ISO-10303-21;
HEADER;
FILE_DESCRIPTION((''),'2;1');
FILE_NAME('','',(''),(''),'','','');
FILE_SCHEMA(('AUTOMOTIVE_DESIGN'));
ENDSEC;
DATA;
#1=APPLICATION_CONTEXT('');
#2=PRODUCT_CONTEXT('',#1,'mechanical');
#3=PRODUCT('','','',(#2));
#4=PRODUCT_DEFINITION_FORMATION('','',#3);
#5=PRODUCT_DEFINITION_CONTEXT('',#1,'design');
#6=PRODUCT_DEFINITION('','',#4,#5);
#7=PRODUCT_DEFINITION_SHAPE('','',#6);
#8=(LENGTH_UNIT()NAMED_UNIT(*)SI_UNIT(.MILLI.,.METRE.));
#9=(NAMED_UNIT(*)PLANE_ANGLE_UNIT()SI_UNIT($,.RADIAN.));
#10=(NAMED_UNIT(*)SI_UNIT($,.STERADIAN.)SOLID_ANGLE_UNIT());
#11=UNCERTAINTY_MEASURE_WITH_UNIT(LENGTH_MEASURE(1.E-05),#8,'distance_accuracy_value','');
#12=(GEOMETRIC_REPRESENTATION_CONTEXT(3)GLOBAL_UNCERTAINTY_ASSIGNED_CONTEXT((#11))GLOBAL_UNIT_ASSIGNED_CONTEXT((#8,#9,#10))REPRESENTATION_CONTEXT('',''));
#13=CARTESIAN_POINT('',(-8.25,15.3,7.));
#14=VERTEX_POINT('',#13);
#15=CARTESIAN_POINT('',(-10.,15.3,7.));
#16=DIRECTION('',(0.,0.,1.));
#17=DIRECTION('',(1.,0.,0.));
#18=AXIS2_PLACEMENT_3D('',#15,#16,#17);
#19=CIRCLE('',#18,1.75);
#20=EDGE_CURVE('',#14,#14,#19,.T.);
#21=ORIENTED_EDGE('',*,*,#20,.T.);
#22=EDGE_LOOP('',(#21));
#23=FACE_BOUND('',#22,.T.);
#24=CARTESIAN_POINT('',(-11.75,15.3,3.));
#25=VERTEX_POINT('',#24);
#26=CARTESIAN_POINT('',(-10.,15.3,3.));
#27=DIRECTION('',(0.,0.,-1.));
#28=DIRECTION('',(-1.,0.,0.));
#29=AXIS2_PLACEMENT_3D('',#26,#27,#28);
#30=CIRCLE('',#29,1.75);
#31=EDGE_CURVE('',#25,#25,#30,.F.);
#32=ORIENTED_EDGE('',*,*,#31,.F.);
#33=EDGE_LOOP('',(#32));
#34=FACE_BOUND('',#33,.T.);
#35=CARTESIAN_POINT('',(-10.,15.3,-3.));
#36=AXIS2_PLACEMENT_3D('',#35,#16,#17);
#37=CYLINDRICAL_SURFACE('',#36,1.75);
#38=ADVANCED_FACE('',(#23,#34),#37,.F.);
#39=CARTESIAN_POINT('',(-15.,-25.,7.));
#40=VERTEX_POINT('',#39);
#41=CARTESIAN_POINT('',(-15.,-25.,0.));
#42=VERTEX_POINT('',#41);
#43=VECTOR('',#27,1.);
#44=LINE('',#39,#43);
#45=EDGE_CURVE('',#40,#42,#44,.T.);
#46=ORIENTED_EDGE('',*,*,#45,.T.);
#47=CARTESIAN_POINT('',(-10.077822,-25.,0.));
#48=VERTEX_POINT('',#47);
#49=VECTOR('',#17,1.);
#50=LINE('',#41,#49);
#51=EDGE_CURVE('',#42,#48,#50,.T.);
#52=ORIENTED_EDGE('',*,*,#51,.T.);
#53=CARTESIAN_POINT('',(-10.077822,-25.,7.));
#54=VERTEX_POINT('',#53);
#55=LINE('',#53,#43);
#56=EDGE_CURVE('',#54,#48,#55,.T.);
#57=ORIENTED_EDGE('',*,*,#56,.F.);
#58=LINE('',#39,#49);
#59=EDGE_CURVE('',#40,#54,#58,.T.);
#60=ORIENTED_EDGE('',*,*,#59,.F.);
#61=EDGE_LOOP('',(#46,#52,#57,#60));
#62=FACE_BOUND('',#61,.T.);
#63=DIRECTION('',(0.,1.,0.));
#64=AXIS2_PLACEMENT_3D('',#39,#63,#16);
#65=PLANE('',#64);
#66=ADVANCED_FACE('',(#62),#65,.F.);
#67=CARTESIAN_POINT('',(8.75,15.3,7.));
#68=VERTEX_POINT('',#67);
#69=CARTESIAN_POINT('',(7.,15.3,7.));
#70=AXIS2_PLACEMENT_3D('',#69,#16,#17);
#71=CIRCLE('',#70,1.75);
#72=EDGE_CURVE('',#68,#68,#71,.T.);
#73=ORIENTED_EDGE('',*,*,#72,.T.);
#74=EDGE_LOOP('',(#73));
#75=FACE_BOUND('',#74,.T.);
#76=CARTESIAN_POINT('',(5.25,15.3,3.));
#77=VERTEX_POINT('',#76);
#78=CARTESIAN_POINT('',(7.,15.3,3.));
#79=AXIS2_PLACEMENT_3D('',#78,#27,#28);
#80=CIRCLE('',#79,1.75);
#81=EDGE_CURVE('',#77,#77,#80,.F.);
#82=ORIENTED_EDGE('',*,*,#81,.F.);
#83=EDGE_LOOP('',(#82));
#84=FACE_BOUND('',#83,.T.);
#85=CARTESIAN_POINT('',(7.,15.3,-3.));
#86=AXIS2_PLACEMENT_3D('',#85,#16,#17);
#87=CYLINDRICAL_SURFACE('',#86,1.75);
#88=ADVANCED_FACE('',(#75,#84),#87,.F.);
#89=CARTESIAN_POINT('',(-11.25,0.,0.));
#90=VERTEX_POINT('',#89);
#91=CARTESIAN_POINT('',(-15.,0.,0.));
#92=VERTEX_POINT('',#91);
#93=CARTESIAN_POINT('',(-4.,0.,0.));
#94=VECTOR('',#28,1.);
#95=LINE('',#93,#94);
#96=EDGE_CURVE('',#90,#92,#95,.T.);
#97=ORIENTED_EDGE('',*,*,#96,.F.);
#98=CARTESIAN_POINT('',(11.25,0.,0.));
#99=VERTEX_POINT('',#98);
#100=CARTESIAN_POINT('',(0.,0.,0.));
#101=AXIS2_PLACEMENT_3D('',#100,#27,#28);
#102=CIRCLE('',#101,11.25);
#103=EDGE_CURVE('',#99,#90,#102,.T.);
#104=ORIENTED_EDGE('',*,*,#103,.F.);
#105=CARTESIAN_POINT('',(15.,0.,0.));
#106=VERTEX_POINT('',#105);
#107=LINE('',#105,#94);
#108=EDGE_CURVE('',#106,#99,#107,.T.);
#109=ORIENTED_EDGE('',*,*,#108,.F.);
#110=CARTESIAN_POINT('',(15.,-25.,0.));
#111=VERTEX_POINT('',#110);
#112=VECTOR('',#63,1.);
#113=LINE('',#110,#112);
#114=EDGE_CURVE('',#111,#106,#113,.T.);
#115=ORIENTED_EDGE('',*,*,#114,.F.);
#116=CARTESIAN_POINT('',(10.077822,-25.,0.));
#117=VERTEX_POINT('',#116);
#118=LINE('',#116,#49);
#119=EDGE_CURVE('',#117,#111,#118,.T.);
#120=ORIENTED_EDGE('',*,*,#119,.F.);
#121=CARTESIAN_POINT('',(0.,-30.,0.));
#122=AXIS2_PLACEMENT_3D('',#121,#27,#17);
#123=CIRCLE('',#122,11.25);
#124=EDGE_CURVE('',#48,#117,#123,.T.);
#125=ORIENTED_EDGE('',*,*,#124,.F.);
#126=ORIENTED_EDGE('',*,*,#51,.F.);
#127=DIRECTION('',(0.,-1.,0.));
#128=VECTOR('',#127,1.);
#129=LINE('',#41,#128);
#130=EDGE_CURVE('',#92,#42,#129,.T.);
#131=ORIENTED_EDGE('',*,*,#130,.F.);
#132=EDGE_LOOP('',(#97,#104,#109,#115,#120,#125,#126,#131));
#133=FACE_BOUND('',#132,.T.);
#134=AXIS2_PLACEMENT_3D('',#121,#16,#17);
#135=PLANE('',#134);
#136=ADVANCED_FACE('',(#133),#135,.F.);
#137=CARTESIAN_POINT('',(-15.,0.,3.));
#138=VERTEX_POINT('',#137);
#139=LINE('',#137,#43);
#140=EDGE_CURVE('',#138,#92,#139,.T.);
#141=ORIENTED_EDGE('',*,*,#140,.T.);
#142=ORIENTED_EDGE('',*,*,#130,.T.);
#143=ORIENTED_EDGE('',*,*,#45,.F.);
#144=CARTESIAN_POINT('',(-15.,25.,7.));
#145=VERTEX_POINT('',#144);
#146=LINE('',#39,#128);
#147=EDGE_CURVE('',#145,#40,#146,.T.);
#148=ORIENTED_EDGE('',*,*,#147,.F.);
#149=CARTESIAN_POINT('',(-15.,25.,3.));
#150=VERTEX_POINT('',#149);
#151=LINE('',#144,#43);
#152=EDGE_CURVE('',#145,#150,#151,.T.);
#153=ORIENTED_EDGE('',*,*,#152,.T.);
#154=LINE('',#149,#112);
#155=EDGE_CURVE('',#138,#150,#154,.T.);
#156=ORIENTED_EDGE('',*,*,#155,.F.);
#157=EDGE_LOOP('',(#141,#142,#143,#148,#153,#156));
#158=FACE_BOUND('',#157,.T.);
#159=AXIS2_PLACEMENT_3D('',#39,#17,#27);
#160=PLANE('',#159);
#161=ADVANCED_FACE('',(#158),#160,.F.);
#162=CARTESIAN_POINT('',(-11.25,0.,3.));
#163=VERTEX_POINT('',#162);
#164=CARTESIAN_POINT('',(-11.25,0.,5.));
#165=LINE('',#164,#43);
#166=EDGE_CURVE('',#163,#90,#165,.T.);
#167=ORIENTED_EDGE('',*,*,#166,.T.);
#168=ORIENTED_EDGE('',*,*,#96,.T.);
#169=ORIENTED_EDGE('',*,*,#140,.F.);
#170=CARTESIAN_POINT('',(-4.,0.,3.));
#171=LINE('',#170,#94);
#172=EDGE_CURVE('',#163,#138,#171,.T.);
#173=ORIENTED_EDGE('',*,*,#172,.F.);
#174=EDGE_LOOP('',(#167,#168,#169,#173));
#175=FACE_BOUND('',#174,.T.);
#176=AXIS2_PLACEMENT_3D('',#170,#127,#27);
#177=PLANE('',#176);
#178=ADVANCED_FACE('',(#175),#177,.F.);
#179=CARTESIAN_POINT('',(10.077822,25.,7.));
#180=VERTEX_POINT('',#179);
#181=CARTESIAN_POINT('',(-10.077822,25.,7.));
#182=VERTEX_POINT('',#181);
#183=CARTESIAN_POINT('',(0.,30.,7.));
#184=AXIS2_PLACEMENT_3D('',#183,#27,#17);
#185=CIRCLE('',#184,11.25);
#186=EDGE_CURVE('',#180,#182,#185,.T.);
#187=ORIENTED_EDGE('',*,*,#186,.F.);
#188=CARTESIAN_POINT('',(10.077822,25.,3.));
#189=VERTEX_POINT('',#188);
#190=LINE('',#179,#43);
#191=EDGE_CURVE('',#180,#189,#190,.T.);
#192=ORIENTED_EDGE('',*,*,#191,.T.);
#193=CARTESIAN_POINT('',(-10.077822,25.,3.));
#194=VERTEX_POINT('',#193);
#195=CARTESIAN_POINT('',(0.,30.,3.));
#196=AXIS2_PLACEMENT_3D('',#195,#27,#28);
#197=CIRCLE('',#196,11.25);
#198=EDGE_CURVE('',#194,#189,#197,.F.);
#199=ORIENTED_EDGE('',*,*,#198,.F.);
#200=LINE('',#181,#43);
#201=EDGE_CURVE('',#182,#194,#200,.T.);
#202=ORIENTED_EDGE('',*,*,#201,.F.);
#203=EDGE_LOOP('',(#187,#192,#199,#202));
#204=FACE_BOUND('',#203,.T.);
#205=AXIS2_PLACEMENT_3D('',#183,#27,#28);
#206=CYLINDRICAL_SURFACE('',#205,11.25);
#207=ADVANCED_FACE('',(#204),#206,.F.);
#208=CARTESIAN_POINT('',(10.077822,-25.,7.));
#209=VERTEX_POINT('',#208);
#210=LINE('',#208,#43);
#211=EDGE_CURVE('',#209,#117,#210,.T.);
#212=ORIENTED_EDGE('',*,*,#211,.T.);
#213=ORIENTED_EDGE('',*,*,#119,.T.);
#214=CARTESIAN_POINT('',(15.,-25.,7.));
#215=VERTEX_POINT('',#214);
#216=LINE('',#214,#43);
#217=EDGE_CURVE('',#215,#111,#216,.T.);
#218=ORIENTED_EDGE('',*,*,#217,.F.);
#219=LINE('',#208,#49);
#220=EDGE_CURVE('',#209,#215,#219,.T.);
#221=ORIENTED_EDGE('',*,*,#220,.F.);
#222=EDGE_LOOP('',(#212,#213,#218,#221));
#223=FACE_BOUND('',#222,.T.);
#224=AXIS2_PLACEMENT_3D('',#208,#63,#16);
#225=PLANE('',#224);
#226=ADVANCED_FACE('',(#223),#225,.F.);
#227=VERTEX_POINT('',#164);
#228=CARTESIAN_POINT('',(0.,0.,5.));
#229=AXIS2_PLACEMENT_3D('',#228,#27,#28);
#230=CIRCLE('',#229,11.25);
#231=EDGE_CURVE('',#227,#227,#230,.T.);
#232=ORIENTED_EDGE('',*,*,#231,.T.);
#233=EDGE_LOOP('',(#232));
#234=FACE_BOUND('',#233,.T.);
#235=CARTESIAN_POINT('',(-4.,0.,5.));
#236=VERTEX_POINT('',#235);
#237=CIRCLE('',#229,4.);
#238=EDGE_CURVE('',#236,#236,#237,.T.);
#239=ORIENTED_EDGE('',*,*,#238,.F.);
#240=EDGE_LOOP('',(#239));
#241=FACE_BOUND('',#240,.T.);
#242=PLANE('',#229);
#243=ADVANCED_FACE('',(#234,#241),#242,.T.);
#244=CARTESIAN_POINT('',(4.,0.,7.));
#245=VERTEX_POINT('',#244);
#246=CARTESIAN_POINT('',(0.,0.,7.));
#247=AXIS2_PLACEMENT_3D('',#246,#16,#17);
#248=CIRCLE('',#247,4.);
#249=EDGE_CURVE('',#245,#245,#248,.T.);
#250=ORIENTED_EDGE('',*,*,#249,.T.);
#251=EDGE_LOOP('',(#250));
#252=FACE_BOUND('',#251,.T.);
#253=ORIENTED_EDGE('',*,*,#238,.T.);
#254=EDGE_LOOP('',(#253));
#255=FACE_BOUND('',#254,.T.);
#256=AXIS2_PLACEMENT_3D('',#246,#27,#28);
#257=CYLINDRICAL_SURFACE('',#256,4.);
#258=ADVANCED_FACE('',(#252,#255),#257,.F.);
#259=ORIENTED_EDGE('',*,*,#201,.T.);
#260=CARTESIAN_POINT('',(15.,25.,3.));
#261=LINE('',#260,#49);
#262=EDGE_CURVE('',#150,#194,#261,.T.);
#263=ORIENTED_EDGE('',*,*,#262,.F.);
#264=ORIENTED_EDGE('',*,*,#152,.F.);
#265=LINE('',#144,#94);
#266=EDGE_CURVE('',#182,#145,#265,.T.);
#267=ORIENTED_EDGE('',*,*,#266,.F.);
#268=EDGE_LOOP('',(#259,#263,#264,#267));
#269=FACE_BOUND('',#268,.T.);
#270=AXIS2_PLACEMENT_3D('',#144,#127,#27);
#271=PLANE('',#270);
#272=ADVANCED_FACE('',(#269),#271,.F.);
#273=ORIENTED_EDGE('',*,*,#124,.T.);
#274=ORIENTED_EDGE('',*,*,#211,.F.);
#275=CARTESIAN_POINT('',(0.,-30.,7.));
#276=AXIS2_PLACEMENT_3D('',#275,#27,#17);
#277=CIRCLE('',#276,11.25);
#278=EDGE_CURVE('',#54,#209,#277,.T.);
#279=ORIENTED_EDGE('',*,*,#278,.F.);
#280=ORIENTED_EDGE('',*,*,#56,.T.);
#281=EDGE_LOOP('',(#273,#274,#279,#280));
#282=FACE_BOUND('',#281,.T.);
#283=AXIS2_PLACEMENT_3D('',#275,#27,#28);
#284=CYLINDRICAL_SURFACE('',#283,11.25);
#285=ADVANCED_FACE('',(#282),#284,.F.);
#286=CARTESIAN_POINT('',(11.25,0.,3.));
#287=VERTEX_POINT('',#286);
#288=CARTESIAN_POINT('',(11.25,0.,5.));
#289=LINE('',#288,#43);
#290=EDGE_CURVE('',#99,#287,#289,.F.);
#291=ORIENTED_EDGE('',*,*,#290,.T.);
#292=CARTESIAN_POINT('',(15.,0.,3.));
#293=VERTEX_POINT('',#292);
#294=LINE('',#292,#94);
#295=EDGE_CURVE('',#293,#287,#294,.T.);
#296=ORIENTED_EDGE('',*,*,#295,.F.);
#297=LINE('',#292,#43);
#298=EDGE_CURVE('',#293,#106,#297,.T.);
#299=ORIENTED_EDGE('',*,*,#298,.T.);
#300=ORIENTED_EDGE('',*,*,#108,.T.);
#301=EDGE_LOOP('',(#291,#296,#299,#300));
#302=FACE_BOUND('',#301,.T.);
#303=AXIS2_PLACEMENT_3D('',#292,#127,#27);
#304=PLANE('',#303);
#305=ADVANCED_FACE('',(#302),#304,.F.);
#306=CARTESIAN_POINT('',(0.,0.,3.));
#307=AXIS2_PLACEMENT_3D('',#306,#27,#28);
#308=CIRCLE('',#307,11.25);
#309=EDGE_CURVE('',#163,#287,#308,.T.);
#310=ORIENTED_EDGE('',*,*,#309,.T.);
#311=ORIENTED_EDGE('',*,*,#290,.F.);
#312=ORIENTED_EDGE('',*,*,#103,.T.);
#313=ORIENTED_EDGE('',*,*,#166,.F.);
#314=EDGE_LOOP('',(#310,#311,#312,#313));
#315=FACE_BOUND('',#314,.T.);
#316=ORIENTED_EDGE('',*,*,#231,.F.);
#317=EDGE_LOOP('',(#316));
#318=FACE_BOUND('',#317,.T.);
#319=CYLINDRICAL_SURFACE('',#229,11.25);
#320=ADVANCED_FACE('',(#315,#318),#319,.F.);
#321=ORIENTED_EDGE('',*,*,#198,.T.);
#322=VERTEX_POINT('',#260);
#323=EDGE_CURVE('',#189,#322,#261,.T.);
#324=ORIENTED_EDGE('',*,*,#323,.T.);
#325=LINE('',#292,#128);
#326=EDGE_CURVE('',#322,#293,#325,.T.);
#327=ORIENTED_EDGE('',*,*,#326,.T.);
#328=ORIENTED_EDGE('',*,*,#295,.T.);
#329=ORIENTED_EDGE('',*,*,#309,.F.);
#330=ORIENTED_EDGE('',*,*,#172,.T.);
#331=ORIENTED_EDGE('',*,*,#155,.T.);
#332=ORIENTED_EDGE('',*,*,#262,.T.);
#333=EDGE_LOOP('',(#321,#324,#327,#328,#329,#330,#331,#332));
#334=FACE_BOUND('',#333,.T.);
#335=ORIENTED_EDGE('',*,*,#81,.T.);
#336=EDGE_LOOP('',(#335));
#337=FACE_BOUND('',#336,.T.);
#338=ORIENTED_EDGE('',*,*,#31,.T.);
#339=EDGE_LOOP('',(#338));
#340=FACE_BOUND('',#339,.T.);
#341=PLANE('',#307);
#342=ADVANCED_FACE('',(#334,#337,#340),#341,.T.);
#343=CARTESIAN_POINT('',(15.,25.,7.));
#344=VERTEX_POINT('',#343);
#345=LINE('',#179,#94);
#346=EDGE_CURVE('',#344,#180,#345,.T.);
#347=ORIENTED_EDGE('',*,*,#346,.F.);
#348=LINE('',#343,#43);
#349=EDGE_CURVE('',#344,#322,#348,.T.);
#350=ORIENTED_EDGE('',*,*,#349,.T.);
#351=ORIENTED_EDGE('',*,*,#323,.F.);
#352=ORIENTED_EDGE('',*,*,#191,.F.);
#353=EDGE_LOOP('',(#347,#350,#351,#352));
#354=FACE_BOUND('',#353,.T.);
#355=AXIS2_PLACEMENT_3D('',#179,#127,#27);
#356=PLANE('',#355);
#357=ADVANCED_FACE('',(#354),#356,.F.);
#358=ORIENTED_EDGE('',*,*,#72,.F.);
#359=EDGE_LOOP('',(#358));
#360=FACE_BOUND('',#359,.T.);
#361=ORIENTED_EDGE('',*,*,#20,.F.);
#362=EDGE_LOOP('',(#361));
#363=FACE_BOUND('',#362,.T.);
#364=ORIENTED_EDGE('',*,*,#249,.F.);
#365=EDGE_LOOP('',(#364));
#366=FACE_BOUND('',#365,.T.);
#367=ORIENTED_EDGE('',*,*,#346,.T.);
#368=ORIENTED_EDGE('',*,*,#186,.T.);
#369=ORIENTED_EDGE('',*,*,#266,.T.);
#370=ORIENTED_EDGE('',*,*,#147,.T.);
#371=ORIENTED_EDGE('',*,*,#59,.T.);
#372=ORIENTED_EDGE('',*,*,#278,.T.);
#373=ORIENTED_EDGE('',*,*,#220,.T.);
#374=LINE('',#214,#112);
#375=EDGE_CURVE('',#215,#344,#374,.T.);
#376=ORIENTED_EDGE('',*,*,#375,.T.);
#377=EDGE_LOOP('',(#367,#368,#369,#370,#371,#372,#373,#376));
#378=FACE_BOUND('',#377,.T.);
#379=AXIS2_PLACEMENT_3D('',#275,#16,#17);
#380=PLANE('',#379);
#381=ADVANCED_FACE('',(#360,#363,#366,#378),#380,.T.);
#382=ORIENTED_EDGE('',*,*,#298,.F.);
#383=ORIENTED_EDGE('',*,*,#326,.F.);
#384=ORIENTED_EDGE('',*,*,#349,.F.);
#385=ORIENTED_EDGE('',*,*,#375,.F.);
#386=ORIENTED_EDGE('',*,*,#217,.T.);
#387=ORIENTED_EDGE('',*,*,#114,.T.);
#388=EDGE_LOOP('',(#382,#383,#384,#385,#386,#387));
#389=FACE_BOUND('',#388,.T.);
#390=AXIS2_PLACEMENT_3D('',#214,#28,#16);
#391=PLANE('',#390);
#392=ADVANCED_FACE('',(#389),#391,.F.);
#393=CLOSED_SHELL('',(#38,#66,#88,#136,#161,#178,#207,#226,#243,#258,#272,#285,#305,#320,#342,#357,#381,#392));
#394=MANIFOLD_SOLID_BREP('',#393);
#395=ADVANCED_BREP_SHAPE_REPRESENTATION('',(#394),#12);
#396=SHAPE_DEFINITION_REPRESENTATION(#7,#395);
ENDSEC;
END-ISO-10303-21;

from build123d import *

# Parameters (mm, degrees)
SKETCH_1_R          = 4
EXTRUDE_1_DEPTH     = 7
SKETCH_3_R          = 1.75
CUT_EXTRUDE_2_DEPTH = 10
CUT_EXTRUDE_4_DEPTH = 3
SKETCH_6_R          = 11.25
CUT_EXTRUDE_5_DEPTH = 5


with BuildPart() as part:
    # Эскиз1 → Бобышка-Вытянуть1 (new body)
    with BuildSketch(Plane.XY):
        with BuildLine():
            Line((-15, -25), (-10.077822185, -25))
            ThreePointArc((-10.077822185, -25), (0, -18.75), (10.077822185, -25))
            Line((10.077822185, -25), (15, -25))
            Line((15, -25), (15, 25))
            Line((15, 25), (10.077822185, 25))
            ThreePointArc((10.077822185, 25), (0, 18.75), (-10.077822185, 25))
            Line((-10.077822185, 25), (-15, 25))
            Line((-15, 25), (-15, -25))
        make_face()
        Circle(SKETCH_1_R, mode=Mode.SUBTRACT)
    extrude(amount=EXTRUDE_1_DEPTH)

    # Эскиз3 → Вырез-Вытянуть2 (cut)
    with BuildSketch(Plane.XY.offset(7)):
        with Locations((-10, 15.3)):
            Circle(SKETCH_3_R)
        with Locations((7, 15.3)):
            Circle(SKETCH_3_R)
    extrude(amount=-CUT_EXTRUDE_2_DEPTH, mode=Mode.SUBTRACT)

    # Эскиз4 → Вырез-Вытянуть4 (cut)
    with BuildSketch(Plane(origin=(0, 0, 0), x_dir=(-1, 0, 0), z_dir=(0, 0, -1))):
        with BuildLine():
            Line((-15, 0), (-4, 0))
            ThreePointArc((-4, 0), (0, 4), (4, 0))
            Line((4, 0), (15, 0))
            Line((15, 0), (15, 25))
            Line((15, 25), (-15, 25))
            Line((-15, 25), (-15, 0))
        make_face()
    extrude(amount=-CUT_EXTRUDE_4_DEPTH, mode=Mode.SUBTRACT)

    # Эскиз6 → Вырез-Вытянуть5 (cut)
    with BuildSketch(Plane(origin=(0, 0, 0), x_dir=(-1, 0, 0), z_dir=(0, 0, -1))):
        Circle(SKETCH_6_R)
    extrude(amount=-CUT_EXTRUDE_5_DEPTH, mode=Mode.SUBTRACT)


solid = part.part
